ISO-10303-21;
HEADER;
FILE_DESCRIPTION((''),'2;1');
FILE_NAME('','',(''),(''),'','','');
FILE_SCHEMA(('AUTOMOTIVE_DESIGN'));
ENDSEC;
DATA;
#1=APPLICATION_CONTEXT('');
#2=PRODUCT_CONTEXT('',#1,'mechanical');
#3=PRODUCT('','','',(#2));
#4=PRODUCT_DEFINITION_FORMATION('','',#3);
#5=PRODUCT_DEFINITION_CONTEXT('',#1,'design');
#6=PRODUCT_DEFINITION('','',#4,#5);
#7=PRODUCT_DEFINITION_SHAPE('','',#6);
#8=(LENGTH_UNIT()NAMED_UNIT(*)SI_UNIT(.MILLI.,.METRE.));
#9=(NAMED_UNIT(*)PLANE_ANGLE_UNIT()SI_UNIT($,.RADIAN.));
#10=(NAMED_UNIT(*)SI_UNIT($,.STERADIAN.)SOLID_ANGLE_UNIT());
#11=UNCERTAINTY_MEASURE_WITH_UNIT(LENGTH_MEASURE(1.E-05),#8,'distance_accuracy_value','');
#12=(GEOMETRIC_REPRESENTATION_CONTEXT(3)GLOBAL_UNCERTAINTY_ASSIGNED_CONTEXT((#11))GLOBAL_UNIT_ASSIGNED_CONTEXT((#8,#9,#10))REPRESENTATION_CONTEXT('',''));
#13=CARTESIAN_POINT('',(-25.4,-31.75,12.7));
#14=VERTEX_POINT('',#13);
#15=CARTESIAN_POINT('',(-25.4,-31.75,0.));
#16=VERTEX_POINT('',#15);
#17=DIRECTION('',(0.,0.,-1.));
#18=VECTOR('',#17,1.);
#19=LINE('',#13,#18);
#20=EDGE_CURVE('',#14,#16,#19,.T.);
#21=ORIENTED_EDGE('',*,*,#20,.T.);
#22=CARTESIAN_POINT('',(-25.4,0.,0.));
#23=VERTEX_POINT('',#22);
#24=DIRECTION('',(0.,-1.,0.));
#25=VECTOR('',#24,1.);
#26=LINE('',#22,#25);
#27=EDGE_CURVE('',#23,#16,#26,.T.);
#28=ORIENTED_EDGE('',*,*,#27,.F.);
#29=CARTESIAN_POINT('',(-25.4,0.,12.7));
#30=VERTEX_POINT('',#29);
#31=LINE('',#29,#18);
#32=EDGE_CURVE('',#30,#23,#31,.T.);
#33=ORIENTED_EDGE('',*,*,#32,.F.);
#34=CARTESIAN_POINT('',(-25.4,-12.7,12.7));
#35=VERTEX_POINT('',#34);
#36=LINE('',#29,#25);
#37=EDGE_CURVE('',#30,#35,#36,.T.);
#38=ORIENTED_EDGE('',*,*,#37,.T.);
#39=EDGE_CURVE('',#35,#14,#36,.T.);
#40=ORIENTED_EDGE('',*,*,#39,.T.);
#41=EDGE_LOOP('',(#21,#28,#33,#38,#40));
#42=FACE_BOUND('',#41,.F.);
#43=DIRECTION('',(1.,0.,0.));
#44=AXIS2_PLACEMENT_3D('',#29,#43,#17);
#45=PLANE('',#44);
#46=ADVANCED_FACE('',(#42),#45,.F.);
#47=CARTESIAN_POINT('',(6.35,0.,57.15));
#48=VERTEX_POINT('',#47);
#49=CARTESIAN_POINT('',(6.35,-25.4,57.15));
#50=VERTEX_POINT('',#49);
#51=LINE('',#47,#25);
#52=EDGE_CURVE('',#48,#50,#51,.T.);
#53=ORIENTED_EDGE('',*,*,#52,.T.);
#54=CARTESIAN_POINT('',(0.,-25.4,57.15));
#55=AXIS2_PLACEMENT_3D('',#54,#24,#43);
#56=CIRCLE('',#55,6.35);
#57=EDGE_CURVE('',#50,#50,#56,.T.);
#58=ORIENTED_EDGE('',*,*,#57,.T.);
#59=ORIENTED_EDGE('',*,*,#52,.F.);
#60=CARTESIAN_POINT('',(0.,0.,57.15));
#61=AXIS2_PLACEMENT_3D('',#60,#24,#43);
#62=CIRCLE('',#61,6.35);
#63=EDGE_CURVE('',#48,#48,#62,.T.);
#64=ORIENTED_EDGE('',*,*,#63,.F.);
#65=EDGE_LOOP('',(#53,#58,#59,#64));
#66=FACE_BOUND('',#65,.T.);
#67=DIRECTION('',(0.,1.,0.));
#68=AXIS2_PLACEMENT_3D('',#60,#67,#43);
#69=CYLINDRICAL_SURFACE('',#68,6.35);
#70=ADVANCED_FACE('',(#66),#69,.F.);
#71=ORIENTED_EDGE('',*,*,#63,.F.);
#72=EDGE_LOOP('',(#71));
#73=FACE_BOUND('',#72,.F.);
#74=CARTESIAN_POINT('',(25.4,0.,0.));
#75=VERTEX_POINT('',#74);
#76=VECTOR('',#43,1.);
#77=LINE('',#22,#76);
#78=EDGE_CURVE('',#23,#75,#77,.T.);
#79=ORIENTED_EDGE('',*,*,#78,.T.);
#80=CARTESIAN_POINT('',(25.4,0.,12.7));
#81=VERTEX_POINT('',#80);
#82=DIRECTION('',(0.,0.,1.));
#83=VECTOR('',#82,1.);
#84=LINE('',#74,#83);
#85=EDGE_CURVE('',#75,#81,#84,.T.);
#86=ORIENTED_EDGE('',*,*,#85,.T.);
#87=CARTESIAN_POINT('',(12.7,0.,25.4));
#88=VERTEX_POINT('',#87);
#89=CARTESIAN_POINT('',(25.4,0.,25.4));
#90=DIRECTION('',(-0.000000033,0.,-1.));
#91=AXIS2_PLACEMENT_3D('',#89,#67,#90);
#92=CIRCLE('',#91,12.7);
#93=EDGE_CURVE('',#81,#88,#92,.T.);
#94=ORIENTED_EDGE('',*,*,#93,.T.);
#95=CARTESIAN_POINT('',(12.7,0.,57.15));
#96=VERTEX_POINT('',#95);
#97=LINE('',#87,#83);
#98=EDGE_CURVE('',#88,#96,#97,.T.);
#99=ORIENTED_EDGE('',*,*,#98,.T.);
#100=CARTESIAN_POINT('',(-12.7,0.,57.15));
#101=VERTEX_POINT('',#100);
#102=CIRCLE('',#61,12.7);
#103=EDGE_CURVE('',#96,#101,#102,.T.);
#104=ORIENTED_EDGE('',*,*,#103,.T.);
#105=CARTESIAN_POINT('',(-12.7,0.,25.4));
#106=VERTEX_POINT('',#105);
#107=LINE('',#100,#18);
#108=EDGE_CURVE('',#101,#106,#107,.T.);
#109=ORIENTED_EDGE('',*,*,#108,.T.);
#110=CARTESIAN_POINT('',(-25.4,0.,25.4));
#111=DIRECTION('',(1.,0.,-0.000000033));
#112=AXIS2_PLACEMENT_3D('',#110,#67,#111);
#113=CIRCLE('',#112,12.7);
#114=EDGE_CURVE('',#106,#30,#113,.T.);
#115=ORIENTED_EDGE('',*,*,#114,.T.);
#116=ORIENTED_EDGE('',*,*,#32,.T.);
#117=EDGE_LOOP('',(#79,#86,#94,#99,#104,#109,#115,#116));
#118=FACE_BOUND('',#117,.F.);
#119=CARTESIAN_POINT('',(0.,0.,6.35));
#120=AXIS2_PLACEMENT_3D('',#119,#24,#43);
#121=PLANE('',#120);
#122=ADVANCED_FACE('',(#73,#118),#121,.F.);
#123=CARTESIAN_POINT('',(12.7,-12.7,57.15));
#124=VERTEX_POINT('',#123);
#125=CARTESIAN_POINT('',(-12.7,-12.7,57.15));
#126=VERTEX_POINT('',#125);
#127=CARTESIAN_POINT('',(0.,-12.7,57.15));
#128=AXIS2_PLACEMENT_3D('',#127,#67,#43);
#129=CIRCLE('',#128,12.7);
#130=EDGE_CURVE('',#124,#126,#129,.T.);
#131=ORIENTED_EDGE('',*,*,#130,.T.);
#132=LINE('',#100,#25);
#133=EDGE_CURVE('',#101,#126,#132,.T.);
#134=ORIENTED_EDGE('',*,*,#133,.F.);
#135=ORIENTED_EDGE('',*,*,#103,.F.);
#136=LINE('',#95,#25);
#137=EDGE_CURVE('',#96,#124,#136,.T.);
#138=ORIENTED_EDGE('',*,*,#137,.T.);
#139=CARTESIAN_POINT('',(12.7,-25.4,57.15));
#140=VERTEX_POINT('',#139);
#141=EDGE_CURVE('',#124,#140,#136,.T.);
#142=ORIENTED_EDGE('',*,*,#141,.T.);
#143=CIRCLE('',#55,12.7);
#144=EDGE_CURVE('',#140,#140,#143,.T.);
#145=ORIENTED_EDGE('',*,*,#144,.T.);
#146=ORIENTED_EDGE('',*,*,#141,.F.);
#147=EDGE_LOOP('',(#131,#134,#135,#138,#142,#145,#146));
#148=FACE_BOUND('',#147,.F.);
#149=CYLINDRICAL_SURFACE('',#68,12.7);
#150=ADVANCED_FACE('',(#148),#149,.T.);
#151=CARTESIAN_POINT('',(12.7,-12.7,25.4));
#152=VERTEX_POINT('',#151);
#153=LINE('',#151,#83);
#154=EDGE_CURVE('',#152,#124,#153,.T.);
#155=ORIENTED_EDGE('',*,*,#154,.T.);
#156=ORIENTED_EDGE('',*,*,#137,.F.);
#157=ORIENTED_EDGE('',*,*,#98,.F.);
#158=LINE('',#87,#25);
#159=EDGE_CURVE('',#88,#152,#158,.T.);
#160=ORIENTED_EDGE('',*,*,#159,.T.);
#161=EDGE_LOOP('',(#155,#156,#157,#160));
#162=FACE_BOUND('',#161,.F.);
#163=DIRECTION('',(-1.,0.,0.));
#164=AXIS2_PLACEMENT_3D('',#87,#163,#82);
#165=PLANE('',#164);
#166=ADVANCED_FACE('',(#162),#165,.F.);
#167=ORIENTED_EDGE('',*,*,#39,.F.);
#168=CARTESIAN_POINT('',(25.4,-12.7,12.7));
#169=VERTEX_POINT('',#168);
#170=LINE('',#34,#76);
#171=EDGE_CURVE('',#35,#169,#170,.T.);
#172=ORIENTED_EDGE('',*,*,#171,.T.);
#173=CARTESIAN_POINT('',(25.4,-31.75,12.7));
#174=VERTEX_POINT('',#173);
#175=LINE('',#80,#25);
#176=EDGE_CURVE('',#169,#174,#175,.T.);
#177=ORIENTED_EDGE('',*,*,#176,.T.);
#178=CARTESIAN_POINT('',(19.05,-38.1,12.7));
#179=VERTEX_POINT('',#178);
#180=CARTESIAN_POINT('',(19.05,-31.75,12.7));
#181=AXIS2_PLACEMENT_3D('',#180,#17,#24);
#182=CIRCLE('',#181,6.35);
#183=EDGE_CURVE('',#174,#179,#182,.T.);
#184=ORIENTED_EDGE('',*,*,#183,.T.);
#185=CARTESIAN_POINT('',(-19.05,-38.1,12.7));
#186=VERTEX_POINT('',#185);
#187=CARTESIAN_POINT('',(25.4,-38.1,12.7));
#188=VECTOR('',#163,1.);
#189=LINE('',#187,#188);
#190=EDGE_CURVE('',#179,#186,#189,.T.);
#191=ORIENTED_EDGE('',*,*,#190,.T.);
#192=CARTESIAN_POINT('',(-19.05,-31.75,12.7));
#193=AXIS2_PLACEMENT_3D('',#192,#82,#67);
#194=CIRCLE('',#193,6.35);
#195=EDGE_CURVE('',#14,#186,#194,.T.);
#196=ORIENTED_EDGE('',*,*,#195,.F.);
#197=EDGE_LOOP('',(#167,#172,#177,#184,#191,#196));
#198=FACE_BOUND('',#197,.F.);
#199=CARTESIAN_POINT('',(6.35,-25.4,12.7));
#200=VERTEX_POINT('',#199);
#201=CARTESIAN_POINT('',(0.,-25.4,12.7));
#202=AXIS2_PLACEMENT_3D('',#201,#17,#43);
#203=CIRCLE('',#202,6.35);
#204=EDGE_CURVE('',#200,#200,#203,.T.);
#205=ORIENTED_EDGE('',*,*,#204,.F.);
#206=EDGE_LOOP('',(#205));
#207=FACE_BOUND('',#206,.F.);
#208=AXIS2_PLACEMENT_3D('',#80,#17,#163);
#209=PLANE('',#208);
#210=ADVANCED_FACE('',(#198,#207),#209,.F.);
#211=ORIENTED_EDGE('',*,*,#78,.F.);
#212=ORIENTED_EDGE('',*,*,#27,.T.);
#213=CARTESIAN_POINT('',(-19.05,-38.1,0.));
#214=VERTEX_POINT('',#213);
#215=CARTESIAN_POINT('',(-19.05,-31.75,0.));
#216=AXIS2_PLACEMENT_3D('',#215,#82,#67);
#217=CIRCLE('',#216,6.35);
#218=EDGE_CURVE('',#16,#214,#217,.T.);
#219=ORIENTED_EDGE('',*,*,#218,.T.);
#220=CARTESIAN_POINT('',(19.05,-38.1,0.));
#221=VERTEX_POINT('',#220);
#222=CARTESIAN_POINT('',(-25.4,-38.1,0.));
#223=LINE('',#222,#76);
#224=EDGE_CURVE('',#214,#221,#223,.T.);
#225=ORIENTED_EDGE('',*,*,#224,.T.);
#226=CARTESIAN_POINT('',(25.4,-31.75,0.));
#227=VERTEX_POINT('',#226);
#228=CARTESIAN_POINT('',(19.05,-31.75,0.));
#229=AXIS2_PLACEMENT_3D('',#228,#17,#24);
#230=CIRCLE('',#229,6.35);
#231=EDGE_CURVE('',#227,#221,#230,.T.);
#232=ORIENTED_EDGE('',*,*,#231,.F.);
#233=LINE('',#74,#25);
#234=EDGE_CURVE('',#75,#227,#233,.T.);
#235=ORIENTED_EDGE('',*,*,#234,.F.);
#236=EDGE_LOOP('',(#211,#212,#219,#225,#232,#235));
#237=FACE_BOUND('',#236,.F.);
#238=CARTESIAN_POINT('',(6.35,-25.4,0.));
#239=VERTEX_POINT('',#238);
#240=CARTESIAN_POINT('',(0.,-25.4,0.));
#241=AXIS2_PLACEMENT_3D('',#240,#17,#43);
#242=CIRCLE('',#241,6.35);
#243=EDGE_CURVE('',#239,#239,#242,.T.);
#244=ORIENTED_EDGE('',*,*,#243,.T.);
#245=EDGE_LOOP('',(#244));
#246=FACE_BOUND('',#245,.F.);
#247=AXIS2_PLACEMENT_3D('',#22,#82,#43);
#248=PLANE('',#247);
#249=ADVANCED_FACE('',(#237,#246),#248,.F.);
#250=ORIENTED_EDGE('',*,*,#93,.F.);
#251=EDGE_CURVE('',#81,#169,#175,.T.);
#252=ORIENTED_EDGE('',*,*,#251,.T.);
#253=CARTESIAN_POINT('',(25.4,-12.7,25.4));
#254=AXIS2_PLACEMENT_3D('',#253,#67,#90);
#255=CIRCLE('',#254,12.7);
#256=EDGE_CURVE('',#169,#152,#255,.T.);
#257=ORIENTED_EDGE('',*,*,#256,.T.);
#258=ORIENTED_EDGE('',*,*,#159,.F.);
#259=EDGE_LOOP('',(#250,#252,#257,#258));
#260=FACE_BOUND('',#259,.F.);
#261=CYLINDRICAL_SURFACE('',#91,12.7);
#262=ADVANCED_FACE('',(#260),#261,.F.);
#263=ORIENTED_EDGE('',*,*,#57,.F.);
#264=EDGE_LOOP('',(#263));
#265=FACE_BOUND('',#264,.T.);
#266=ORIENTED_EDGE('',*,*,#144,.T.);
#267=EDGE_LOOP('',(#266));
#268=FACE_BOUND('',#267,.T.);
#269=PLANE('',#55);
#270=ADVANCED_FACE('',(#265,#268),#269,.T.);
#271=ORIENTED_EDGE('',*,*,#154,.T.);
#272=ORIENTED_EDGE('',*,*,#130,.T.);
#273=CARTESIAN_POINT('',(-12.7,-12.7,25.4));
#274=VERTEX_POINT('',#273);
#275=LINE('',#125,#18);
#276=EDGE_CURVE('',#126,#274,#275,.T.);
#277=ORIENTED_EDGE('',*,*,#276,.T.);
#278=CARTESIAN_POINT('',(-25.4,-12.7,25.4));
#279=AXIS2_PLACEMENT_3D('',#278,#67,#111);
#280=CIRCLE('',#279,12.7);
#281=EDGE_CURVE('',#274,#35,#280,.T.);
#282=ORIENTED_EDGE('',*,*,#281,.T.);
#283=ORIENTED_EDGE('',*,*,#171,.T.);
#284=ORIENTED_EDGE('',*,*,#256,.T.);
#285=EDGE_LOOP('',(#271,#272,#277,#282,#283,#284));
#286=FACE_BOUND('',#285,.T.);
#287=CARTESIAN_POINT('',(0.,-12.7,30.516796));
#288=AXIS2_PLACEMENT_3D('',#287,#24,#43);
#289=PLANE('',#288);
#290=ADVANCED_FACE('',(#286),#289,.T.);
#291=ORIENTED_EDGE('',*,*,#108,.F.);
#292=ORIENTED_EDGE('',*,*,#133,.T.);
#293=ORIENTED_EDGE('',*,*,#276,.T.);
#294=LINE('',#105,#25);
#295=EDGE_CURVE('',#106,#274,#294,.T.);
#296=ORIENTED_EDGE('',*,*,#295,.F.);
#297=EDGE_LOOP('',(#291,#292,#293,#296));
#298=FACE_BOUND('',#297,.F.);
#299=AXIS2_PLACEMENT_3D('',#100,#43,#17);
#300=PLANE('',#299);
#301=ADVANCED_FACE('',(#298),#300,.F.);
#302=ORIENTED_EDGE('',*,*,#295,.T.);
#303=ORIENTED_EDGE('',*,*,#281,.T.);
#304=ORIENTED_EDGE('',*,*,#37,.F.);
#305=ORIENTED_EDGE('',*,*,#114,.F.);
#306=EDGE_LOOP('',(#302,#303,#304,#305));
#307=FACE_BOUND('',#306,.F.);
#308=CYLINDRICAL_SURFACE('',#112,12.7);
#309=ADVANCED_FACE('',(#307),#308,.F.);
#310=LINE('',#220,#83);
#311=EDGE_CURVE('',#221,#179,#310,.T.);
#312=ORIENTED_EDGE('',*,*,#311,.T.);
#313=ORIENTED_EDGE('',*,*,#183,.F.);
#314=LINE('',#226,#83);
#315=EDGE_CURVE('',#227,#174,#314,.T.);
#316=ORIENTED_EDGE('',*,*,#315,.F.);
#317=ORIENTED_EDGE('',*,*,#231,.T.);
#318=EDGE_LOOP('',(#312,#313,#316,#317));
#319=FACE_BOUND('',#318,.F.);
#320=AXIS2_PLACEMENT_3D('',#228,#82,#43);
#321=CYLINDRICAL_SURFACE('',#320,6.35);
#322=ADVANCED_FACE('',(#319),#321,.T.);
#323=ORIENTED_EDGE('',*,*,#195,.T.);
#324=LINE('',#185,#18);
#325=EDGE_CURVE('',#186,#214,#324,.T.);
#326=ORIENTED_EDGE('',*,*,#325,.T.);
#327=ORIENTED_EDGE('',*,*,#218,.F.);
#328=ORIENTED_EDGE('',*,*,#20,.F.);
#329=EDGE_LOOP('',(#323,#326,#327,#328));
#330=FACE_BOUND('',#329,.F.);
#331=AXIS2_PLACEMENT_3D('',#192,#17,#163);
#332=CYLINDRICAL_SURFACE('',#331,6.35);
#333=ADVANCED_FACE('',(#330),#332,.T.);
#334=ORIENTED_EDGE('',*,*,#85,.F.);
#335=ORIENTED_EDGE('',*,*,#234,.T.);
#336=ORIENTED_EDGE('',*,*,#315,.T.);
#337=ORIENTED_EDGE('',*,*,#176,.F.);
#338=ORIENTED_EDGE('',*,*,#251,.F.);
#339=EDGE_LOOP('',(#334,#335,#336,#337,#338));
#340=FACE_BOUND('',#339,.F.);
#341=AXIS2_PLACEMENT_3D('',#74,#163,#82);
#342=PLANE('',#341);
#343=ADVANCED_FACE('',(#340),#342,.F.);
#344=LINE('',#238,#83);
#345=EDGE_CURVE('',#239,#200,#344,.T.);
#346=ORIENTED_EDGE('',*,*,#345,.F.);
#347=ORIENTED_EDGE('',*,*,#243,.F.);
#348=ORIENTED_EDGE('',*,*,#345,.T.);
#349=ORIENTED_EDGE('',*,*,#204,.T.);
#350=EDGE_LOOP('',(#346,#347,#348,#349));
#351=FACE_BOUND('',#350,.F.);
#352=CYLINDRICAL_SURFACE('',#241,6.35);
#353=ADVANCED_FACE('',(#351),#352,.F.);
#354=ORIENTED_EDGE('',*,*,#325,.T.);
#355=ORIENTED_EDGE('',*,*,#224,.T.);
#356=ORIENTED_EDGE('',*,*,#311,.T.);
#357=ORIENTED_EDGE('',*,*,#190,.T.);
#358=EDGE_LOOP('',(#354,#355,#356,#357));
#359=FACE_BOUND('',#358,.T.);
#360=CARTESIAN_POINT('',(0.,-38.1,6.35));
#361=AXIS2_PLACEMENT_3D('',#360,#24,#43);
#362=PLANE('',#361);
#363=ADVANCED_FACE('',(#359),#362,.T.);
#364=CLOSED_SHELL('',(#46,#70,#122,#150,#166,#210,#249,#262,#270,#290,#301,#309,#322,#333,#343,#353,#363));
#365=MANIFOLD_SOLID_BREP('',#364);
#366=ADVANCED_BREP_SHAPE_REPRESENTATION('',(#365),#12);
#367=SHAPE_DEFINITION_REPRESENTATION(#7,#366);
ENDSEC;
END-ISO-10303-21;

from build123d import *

# Parameters (mm, degrees)
F1_DEPTH = 12.7
F0_R     = 6.35
F2_DEPTH = 25.4
F3_DEPTH = 38.1
F4_R     = 6.35
F5_R     = 6.35
F6_DEPTH = 25.4


with BuildPart() as f1:
    # F0 (on Front) → F1 (new body)
    with BuildSketch(Plane.XZ):
        with BuildLine():
            Line((-25.4, 12.7), (25.4, 12.7))
            ThreePointArc((25.4, 12.7), (16.419744, 16.419744), (12.7, 25.4))
            Line((12.7, 25.4), (12.7, 57.15))
            ThreePointArc((12.7, 57.15), (0, 44.45), (-12.7, 57.15))
            Line((-12.7, 57.15), (-12.7, 25.4))
            ThreePointArc((-12.7, 25.4), (-16.419744, 16.419744), (-25.4, 12.7))
        make_face()
    extrude(amount=F1_DEPTH)

    # F0 (on Front) → F2 (join)
    with BuildSketch(Plane.XZ):
        with BuildLine():
            ThreePointArc((-12.7, 57.15), (0, 44.45), (12.7, 57.15))
            ThreePointArc((12.7, 57.15), (0, 69.85), (-12.7, 57.15))
        make_face()
        with Locations((0, 57.15)):
            Circle(F0_R, mode=Mode.SUBTRACT)
    extrude(amount=F2_DEPTH)

    # F0 (on Front) → F3 (join)
    with BuildSketch(Plane.XZ):
        Polygon((-25.4, 0), (0, 0), (25.4, 0), (25.4, 12.7), (-25.4, 12.7), align=None)
    extrude(amount=F3_DEPTH)

    # F4
    f4_edges = [f1.edges().sort_by_distance(p)[0] for p in [
        (-25.4, -38.1, 6.35),
        (25.4, -38.1, 6.35),
    ]]
    fillet(f4_edges, radius=F4_R)

    # F5 (on face) → F6 (cut)
    with BuildSketch(Plane(origin=(0, 0, 0), x_dir=(1, 0, 0), z_dir=(0, 0, -1))):
        with Locations((0, 25.4)):
            Circle(F5_R)
    extrude(amount=-F6_DEPTH, mode=Mode.SUBTRACT)


solid = f1.part
